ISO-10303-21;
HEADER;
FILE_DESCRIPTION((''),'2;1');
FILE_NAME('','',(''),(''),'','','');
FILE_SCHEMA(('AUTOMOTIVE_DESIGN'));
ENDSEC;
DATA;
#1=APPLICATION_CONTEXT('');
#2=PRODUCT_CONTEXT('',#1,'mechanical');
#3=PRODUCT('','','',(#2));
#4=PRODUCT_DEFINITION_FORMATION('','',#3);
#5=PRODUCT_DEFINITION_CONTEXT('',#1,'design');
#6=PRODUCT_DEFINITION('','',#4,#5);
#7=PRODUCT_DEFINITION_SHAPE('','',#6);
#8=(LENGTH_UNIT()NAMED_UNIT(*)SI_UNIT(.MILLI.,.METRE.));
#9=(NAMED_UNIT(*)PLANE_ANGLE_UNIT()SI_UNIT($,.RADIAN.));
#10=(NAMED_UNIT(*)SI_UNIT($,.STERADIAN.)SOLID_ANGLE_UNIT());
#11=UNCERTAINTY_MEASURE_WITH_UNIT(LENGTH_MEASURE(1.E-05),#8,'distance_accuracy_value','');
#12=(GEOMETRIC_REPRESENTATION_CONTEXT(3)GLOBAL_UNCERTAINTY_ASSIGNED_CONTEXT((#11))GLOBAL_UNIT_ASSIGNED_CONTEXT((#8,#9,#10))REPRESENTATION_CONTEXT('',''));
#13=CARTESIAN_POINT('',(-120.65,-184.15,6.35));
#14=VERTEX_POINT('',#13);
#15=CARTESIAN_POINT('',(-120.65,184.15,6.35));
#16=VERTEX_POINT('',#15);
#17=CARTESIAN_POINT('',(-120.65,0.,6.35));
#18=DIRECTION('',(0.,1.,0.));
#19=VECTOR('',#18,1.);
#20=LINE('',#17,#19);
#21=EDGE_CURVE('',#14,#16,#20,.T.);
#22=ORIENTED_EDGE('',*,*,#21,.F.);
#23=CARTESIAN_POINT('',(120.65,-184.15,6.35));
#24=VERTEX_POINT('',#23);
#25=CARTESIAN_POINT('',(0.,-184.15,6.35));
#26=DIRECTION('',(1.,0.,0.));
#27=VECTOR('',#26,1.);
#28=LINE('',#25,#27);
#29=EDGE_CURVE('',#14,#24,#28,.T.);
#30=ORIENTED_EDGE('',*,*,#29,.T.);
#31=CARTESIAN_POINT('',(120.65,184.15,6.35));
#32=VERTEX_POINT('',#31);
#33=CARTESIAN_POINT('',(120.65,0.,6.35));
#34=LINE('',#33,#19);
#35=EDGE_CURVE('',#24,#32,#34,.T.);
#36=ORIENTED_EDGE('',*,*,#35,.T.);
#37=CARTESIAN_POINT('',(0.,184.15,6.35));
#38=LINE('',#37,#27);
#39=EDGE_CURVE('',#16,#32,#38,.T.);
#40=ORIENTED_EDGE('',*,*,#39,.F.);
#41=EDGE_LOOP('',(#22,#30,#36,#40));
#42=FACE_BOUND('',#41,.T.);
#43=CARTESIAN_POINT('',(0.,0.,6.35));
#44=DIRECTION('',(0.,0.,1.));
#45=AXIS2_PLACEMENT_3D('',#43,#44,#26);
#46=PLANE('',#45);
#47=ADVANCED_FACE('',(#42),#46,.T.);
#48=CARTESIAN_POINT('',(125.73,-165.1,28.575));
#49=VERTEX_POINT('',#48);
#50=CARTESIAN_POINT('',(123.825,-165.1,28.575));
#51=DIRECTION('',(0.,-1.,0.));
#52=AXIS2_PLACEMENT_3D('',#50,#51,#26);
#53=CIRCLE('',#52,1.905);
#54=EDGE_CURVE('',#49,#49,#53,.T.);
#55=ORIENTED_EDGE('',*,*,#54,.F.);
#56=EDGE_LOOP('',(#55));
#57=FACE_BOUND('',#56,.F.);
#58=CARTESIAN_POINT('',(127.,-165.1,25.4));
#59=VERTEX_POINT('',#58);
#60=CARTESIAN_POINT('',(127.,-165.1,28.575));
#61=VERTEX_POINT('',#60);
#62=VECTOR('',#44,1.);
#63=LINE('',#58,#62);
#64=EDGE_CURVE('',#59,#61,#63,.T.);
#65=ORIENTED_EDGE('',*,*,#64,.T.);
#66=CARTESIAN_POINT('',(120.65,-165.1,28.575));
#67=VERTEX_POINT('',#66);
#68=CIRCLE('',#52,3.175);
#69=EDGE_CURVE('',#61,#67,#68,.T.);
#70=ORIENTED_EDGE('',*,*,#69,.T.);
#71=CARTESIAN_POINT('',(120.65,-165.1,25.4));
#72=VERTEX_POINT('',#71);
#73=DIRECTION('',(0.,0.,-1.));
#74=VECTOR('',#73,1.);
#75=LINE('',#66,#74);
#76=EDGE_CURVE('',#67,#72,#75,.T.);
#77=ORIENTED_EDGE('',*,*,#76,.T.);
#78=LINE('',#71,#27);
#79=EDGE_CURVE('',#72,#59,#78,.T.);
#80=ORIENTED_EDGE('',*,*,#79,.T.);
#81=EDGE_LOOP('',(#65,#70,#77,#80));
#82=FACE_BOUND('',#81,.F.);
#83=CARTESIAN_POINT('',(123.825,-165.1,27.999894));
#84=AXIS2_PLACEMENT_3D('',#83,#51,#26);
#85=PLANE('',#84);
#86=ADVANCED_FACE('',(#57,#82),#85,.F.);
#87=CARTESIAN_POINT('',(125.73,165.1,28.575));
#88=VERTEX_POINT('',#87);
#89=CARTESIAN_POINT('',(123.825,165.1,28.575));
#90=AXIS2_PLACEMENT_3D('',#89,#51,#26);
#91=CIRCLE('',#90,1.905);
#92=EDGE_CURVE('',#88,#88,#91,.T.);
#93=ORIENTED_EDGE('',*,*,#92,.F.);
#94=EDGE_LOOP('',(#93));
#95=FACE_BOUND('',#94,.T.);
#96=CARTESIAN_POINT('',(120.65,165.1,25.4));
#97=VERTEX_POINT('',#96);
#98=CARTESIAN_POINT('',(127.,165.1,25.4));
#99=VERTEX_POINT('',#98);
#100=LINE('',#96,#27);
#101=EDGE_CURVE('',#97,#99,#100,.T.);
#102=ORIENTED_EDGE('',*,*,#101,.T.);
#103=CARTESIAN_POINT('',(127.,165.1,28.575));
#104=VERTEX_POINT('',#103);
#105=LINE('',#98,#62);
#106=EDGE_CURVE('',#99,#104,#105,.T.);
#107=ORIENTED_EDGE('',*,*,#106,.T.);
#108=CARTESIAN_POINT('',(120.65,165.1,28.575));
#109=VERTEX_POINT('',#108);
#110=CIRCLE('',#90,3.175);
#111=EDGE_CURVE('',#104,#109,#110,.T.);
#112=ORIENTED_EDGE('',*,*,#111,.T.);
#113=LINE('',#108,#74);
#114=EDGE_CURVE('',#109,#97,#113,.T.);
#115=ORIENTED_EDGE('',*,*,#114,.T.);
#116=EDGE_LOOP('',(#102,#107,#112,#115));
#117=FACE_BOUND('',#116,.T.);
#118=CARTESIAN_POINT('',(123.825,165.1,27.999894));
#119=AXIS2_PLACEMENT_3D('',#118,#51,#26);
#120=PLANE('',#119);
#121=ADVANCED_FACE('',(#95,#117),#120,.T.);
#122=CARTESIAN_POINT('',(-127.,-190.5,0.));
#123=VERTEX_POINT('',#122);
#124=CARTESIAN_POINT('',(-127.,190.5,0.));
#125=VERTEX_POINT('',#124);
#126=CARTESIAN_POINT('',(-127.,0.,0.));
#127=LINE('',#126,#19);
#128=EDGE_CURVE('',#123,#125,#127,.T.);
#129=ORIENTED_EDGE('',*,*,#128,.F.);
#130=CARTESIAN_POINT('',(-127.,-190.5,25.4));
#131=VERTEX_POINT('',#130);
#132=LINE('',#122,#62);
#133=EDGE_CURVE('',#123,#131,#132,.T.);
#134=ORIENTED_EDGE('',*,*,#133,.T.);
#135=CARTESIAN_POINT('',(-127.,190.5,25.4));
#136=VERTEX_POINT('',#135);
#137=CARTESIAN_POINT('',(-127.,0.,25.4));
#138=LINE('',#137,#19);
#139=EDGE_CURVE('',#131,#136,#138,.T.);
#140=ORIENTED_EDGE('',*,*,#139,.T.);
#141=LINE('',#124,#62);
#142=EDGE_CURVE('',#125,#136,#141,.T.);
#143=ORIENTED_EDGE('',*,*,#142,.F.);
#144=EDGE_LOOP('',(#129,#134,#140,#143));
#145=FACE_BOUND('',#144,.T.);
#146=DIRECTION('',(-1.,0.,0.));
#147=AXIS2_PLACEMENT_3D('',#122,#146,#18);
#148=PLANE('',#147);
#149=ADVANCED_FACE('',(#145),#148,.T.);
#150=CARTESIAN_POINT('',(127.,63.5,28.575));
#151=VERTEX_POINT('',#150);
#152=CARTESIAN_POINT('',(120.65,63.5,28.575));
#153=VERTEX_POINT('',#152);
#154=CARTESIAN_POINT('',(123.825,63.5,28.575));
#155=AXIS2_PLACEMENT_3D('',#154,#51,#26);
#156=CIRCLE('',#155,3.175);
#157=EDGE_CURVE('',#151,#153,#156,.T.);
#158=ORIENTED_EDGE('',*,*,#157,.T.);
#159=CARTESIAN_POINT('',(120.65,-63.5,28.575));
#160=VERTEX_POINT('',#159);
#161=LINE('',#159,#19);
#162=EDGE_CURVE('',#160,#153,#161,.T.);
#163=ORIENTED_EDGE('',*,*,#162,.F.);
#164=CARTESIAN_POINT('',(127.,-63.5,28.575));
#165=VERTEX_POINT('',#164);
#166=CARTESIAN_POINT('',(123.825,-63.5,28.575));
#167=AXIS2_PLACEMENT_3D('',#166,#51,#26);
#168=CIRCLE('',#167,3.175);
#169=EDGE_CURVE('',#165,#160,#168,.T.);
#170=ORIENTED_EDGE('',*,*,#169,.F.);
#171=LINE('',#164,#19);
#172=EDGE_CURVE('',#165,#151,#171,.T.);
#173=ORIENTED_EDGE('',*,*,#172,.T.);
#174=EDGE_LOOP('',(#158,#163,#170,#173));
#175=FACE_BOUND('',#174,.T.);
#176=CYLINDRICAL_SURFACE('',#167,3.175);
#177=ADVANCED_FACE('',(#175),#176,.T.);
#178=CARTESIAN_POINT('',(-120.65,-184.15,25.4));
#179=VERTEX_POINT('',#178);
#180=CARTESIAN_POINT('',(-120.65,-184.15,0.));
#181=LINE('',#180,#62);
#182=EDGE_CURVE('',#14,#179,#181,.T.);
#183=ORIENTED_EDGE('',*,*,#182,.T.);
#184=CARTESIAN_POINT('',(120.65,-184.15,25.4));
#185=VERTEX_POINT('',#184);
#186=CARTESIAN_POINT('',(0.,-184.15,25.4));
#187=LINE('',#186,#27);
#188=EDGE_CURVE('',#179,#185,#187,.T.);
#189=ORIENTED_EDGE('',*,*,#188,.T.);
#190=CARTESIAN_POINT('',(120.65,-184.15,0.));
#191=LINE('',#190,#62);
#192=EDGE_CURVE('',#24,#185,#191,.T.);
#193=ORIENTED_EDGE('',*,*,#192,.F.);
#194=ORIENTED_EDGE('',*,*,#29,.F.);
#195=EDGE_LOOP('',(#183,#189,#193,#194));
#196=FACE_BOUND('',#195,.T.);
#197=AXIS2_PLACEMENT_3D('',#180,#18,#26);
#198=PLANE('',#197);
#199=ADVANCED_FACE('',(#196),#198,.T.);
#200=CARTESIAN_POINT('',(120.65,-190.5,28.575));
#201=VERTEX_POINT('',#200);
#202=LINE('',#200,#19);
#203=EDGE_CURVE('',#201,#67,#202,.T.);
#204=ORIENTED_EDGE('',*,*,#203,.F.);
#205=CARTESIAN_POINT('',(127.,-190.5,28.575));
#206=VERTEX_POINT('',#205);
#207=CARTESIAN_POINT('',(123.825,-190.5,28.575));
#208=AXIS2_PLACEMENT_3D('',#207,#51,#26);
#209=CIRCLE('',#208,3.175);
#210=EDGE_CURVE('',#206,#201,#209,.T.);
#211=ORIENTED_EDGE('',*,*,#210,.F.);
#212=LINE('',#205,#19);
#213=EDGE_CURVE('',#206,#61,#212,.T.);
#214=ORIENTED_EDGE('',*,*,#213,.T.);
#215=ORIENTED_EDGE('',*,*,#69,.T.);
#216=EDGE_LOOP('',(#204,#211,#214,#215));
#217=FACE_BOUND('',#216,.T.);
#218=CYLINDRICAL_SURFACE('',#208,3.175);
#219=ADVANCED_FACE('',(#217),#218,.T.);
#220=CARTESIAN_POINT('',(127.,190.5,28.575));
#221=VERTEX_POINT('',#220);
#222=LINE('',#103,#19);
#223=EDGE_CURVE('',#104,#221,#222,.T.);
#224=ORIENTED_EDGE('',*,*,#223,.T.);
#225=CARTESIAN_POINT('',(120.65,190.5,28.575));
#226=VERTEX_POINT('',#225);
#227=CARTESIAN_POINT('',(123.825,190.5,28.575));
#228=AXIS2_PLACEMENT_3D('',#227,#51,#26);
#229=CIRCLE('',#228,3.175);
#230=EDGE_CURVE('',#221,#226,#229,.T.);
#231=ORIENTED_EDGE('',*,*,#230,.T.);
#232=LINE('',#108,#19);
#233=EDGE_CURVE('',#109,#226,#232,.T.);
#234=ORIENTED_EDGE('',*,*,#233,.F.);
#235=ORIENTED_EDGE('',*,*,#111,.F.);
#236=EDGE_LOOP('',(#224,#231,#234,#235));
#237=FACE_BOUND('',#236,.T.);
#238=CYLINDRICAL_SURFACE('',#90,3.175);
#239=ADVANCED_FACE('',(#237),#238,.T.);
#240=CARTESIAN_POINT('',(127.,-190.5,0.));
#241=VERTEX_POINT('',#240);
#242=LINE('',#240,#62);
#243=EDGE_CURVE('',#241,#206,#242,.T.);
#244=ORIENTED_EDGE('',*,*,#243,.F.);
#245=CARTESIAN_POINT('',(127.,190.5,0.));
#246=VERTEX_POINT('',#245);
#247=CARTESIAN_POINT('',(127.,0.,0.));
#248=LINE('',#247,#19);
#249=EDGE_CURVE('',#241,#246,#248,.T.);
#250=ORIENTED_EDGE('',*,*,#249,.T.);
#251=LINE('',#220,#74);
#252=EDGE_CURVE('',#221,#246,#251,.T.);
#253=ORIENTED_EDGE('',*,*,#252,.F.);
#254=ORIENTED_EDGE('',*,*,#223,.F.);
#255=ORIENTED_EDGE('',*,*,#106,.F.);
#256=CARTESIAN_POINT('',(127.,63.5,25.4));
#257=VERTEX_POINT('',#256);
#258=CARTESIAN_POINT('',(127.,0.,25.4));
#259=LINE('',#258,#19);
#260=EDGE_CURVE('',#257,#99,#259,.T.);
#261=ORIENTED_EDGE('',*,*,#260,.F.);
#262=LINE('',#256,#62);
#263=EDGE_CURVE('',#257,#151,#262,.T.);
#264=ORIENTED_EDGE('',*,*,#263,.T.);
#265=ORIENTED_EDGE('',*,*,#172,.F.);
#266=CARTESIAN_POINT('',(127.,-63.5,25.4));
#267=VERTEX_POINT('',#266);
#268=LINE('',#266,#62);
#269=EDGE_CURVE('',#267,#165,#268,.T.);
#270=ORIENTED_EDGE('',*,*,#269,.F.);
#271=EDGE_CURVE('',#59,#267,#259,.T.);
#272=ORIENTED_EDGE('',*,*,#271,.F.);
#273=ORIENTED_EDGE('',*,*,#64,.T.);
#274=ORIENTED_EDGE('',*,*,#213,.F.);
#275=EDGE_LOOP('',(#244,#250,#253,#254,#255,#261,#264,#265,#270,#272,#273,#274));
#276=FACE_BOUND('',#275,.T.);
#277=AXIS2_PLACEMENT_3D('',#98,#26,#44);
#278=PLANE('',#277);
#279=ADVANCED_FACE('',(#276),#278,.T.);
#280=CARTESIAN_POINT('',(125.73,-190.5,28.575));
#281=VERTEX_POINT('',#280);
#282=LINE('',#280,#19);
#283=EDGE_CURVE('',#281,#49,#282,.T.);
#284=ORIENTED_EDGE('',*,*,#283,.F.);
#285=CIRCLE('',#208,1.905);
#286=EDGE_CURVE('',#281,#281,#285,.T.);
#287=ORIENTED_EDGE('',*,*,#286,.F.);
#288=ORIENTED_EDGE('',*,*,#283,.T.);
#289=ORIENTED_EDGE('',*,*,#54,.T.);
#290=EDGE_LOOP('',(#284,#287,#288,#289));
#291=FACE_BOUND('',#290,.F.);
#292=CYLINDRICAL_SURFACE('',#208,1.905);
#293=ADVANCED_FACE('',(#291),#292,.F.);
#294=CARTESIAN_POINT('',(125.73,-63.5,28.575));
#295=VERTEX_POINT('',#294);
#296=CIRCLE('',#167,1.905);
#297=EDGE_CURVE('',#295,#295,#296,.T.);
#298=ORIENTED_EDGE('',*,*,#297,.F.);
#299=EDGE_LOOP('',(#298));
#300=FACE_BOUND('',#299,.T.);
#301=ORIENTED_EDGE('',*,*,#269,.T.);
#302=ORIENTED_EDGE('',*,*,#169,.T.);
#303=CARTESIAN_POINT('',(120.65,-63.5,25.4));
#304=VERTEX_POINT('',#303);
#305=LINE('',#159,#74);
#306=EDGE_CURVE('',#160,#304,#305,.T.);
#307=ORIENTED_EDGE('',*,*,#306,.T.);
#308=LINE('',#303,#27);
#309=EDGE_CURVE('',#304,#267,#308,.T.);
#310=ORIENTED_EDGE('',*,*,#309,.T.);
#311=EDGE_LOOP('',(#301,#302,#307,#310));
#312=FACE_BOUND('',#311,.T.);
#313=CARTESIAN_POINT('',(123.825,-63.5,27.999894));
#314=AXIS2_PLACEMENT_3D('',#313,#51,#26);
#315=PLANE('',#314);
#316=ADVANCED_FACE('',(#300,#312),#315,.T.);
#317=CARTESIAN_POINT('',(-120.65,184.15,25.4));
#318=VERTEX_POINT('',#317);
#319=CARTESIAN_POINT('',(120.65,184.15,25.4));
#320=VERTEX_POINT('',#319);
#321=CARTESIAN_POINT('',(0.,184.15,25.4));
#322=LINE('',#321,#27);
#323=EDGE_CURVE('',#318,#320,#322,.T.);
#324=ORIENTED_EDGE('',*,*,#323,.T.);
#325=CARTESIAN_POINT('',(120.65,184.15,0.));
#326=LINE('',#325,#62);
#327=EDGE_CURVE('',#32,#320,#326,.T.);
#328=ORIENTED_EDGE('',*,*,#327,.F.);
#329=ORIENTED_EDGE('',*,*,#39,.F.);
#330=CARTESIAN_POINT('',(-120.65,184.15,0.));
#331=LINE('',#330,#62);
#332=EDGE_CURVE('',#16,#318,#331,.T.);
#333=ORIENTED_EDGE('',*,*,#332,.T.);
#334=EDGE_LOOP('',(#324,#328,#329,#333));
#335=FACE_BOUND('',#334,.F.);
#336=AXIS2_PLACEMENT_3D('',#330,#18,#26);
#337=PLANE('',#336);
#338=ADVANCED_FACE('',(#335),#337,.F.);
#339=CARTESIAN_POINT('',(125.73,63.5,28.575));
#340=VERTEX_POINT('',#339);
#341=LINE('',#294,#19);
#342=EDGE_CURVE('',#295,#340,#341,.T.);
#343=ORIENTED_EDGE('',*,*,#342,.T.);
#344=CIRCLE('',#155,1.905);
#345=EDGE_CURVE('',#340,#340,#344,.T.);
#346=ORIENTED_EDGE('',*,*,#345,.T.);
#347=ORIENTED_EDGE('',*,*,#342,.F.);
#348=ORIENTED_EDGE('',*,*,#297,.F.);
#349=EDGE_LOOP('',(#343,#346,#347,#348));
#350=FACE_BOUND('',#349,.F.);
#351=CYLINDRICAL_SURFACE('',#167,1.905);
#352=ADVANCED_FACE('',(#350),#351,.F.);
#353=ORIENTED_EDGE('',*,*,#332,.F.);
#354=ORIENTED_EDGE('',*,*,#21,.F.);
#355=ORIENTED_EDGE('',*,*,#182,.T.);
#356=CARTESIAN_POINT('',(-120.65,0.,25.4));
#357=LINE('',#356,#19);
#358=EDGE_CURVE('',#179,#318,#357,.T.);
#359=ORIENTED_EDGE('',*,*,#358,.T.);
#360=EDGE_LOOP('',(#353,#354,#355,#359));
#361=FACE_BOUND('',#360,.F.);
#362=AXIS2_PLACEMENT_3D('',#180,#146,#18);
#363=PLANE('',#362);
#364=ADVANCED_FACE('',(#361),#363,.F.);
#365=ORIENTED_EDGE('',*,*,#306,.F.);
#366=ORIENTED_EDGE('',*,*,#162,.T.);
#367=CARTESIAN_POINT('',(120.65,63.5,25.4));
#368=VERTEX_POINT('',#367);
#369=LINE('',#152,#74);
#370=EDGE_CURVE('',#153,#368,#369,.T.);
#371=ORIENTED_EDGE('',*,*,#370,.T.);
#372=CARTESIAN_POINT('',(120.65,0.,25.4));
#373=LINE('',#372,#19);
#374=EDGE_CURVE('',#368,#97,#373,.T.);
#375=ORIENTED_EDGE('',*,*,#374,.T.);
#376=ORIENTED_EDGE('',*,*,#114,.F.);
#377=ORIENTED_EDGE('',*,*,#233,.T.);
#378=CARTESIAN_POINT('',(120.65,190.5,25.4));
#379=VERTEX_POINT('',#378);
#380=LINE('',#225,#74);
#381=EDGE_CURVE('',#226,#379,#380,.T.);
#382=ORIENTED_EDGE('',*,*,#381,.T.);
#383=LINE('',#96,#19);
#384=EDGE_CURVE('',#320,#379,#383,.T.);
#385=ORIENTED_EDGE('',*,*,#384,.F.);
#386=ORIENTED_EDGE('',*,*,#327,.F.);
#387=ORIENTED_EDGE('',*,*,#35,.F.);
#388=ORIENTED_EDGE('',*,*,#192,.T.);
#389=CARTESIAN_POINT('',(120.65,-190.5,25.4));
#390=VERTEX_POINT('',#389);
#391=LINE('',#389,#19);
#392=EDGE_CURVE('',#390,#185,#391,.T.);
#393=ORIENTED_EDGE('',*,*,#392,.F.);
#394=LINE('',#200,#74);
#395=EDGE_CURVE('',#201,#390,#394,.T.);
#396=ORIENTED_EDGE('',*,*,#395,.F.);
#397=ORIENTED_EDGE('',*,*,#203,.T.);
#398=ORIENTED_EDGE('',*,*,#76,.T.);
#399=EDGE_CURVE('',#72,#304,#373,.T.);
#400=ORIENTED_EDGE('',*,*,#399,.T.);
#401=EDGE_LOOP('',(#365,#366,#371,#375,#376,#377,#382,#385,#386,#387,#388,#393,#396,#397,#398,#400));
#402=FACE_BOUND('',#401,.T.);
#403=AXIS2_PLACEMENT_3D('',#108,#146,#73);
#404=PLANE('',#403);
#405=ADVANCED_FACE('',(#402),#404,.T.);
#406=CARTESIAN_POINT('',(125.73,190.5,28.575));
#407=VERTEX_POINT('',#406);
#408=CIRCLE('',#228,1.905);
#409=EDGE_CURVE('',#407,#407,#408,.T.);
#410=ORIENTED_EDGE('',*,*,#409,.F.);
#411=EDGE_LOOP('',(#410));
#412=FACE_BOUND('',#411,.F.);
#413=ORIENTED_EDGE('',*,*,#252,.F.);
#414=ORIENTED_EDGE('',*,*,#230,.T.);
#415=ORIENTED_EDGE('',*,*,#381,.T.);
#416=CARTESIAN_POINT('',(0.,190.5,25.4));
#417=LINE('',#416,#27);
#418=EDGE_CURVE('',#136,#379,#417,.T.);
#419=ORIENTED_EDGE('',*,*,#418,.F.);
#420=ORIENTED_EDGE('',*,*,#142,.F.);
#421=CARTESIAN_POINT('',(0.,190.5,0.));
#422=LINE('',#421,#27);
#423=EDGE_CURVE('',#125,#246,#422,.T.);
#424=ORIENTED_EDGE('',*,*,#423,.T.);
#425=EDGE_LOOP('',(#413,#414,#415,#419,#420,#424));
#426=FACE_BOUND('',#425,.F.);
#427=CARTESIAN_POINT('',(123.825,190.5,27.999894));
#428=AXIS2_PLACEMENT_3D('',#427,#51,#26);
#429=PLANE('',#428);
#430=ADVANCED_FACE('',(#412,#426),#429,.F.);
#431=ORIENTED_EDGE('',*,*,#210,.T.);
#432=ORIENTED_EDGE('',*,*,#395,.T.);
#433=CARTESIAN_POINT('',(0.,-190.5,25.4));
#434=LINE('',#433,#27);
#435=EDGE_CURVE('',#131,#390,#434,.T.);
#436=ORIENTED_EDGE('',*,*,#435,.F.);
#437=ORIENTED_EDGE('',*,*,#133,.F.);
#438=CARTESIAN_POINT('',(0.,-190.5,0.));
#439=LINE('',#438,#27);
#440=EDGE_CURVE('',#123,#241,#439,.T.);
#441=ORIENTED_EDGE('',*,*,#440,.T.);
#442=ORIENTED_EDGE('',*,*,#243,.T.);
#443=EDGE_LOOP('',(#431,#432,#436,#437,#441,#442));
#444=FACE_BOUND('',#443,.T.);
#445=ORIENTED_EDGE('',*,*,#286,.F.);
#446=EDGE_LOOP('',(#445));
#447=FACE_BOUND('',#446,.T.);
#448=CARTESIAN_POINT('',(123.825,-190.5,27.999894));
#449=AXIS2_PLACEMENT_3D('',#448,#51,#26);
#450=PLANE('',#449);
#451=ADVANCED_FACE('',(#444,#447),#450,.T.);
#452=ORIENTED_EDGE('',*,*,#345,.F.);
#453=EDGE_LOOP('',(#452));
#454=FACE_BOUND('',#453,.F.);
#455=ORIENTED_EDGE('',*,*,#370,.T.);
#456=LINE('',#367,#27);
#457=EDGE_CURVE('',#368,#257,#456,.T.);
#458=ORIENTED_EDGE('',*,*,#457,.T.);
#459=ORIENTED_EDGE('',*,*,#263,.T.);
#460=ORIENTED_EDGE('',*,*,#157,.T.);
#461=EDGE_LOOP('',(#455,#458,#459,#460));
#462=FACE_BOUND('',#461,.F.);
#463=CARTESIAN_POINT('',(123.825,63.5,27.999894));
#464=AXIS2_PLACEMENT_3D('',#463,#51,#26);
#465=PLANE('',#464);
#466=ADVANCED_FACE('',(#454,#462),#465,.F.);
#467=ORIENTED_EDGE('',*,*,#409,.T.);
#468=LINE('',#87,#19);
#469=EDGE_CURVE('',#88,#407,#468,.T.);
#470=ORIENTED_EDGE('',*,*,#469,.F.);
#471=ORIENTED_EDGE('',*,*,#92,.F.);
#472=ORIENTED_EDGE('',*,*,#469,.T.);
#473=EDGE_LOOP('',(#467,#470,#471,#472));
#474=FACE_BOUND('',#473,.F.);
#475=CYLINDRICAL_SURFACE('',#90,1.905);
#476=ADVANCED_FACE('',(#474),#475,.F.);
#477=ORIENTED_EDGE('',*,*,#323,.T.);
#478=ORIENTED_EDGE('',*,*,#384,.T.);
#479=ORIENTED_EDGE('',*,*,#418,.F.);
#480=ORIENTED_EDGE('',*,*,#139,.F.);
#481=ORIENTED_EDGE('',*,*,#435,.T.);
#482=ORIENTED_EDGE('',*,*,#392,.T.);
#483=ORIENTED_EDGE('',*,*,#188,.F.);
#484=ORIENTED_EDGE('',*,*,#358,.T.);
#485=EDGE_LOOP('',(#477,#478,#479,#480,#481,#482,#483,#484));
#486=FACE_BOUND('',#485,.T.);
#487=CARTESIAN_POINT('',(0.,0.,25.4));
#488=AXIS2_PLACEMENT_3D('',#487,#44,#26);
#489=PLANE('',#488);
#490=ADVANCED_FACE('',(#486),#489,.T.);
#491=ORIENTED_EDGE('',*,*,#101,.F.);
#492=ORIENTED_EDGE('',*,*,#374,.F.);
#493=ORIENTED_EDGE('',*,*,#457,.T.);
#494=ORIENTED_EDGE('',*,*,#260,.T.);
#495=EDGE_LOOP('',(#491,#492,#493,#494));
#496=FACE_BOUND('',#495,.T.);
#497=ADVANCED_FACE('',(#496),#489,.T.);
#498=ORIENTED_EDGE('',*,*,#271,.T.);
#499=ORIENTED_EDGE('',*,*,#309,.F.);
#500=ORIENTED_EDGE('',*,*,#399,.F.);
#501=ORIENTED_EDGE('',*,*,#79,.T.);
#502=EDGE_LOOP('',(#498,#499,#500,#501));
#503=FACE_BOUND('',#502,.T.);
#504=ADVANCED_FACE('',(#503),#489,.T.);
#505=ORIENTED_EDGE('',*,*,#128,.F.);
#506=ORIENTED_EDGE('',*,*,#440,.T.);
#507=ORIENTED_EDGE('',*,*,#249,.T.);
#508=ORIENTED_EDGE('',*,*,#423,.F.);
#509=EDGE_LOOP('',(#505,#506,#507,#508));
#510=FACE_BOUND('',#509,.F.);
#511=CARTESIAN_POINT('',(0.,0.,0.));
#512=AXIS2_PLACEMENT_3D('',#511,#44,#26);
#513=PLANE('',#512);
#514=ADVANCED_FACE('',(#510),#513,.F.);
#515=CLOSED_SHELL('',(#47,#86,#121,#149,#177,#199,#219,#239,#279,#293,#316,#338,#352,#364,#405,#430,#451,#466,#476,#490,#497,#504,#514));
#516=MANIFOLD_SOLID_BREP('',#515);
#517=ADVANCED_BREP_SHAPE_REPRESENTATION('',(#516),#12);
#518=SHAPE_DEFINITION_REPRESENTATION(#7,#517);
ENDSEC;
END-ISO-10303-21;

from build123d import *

# Parameters (mm, degrees)
F0_W     = 254
F0_H     = 381
F0_W_2   = 241.3
F0_H_2   = 368.3
F1_DEPTH = 25.4
F2_DEPTH = 6.35
F4_START = -127
F3_R     = 1.905
F4_DEPTH = 127
F5_DEPTH = 25.4
F6_START = -355.6
F6_DEPTH = 25.4


with BuildPart() as f1:
    # F0 (on Top) → F1 (new body)
    with BuildSketch(Plane.XY):
        Rectangle(F0_W, F0_H)
        Rectangle(F0_W_2, F0_H_2, mode=Mode.SUBTRACT)
    extrude(amount=F1_DEPTH)

    # F0 (on Top) → F2 (join)
    with BuildSketch(Plane.XY):
        Rectangle(F0_W_2, F0_H_2)
    extrude(amount=F2_DEPTH)

    # F3 (on face) → F4 (join)
    with BuildSketch(Plane.XZ.offset(190.5).offset(F4_START)):
        with BuildLine():
            Line((120.65, 25.4), (127, 25.4))
            Line((127, 25.4), (127, 28.575))
            ThreePointArc((127, 28.575), (123.825, 31.75), (120.65, 28.575))
            Line((120.65, 28.575), (120.65, 25.4))
        make_face()
        with Locations((123.825, 28.575)):
            Circle(F3_R, mode=Mode.SUBTRACT)
    extrude(amount=-F4_DEPTH)

    # F3 (on face) → F5 (join)
    with BuildSketch(Plane.XZ.offset(190.5)):
        with BuildLine():
            Line((120.65, 25.4), (127, 25.4))
            Line((127, 25.4), (127, 28.575))
            ThreePointArc((127, 28.575), (123.825, 31.75), (120.65, 28.575))
            Line((120.65, 28.575), (120.65, 25.4))
        make_face()
        with Locations((123.825, 28.575)):
            Circle(F3_R, mode=Mode.SUBTRACT)
    extrude(amount=-F5_DEPTH)

    # F3 (on face) → F6 (join)
    with BuildSketch(Plane.XZ.offset(190.5).offset(F6_START)):
        with BuildLine():
            Line((120.65, 25.4), (127, 25.4))
            Line((127, 25.4), (127, 28.575))
            ThreePointArc((127, 28.575), (123.825, 31.75), (120.65, 28.575))
            Line((120.65, 28.575), (120.65, 25.4))
        make_face()
        with Locations((123.825, 28.575)):
            Circle(F3_R, mode=Mode.SUBTRACT)
    extrude(amount=-F6_DEPTH)


solid = f1.part
